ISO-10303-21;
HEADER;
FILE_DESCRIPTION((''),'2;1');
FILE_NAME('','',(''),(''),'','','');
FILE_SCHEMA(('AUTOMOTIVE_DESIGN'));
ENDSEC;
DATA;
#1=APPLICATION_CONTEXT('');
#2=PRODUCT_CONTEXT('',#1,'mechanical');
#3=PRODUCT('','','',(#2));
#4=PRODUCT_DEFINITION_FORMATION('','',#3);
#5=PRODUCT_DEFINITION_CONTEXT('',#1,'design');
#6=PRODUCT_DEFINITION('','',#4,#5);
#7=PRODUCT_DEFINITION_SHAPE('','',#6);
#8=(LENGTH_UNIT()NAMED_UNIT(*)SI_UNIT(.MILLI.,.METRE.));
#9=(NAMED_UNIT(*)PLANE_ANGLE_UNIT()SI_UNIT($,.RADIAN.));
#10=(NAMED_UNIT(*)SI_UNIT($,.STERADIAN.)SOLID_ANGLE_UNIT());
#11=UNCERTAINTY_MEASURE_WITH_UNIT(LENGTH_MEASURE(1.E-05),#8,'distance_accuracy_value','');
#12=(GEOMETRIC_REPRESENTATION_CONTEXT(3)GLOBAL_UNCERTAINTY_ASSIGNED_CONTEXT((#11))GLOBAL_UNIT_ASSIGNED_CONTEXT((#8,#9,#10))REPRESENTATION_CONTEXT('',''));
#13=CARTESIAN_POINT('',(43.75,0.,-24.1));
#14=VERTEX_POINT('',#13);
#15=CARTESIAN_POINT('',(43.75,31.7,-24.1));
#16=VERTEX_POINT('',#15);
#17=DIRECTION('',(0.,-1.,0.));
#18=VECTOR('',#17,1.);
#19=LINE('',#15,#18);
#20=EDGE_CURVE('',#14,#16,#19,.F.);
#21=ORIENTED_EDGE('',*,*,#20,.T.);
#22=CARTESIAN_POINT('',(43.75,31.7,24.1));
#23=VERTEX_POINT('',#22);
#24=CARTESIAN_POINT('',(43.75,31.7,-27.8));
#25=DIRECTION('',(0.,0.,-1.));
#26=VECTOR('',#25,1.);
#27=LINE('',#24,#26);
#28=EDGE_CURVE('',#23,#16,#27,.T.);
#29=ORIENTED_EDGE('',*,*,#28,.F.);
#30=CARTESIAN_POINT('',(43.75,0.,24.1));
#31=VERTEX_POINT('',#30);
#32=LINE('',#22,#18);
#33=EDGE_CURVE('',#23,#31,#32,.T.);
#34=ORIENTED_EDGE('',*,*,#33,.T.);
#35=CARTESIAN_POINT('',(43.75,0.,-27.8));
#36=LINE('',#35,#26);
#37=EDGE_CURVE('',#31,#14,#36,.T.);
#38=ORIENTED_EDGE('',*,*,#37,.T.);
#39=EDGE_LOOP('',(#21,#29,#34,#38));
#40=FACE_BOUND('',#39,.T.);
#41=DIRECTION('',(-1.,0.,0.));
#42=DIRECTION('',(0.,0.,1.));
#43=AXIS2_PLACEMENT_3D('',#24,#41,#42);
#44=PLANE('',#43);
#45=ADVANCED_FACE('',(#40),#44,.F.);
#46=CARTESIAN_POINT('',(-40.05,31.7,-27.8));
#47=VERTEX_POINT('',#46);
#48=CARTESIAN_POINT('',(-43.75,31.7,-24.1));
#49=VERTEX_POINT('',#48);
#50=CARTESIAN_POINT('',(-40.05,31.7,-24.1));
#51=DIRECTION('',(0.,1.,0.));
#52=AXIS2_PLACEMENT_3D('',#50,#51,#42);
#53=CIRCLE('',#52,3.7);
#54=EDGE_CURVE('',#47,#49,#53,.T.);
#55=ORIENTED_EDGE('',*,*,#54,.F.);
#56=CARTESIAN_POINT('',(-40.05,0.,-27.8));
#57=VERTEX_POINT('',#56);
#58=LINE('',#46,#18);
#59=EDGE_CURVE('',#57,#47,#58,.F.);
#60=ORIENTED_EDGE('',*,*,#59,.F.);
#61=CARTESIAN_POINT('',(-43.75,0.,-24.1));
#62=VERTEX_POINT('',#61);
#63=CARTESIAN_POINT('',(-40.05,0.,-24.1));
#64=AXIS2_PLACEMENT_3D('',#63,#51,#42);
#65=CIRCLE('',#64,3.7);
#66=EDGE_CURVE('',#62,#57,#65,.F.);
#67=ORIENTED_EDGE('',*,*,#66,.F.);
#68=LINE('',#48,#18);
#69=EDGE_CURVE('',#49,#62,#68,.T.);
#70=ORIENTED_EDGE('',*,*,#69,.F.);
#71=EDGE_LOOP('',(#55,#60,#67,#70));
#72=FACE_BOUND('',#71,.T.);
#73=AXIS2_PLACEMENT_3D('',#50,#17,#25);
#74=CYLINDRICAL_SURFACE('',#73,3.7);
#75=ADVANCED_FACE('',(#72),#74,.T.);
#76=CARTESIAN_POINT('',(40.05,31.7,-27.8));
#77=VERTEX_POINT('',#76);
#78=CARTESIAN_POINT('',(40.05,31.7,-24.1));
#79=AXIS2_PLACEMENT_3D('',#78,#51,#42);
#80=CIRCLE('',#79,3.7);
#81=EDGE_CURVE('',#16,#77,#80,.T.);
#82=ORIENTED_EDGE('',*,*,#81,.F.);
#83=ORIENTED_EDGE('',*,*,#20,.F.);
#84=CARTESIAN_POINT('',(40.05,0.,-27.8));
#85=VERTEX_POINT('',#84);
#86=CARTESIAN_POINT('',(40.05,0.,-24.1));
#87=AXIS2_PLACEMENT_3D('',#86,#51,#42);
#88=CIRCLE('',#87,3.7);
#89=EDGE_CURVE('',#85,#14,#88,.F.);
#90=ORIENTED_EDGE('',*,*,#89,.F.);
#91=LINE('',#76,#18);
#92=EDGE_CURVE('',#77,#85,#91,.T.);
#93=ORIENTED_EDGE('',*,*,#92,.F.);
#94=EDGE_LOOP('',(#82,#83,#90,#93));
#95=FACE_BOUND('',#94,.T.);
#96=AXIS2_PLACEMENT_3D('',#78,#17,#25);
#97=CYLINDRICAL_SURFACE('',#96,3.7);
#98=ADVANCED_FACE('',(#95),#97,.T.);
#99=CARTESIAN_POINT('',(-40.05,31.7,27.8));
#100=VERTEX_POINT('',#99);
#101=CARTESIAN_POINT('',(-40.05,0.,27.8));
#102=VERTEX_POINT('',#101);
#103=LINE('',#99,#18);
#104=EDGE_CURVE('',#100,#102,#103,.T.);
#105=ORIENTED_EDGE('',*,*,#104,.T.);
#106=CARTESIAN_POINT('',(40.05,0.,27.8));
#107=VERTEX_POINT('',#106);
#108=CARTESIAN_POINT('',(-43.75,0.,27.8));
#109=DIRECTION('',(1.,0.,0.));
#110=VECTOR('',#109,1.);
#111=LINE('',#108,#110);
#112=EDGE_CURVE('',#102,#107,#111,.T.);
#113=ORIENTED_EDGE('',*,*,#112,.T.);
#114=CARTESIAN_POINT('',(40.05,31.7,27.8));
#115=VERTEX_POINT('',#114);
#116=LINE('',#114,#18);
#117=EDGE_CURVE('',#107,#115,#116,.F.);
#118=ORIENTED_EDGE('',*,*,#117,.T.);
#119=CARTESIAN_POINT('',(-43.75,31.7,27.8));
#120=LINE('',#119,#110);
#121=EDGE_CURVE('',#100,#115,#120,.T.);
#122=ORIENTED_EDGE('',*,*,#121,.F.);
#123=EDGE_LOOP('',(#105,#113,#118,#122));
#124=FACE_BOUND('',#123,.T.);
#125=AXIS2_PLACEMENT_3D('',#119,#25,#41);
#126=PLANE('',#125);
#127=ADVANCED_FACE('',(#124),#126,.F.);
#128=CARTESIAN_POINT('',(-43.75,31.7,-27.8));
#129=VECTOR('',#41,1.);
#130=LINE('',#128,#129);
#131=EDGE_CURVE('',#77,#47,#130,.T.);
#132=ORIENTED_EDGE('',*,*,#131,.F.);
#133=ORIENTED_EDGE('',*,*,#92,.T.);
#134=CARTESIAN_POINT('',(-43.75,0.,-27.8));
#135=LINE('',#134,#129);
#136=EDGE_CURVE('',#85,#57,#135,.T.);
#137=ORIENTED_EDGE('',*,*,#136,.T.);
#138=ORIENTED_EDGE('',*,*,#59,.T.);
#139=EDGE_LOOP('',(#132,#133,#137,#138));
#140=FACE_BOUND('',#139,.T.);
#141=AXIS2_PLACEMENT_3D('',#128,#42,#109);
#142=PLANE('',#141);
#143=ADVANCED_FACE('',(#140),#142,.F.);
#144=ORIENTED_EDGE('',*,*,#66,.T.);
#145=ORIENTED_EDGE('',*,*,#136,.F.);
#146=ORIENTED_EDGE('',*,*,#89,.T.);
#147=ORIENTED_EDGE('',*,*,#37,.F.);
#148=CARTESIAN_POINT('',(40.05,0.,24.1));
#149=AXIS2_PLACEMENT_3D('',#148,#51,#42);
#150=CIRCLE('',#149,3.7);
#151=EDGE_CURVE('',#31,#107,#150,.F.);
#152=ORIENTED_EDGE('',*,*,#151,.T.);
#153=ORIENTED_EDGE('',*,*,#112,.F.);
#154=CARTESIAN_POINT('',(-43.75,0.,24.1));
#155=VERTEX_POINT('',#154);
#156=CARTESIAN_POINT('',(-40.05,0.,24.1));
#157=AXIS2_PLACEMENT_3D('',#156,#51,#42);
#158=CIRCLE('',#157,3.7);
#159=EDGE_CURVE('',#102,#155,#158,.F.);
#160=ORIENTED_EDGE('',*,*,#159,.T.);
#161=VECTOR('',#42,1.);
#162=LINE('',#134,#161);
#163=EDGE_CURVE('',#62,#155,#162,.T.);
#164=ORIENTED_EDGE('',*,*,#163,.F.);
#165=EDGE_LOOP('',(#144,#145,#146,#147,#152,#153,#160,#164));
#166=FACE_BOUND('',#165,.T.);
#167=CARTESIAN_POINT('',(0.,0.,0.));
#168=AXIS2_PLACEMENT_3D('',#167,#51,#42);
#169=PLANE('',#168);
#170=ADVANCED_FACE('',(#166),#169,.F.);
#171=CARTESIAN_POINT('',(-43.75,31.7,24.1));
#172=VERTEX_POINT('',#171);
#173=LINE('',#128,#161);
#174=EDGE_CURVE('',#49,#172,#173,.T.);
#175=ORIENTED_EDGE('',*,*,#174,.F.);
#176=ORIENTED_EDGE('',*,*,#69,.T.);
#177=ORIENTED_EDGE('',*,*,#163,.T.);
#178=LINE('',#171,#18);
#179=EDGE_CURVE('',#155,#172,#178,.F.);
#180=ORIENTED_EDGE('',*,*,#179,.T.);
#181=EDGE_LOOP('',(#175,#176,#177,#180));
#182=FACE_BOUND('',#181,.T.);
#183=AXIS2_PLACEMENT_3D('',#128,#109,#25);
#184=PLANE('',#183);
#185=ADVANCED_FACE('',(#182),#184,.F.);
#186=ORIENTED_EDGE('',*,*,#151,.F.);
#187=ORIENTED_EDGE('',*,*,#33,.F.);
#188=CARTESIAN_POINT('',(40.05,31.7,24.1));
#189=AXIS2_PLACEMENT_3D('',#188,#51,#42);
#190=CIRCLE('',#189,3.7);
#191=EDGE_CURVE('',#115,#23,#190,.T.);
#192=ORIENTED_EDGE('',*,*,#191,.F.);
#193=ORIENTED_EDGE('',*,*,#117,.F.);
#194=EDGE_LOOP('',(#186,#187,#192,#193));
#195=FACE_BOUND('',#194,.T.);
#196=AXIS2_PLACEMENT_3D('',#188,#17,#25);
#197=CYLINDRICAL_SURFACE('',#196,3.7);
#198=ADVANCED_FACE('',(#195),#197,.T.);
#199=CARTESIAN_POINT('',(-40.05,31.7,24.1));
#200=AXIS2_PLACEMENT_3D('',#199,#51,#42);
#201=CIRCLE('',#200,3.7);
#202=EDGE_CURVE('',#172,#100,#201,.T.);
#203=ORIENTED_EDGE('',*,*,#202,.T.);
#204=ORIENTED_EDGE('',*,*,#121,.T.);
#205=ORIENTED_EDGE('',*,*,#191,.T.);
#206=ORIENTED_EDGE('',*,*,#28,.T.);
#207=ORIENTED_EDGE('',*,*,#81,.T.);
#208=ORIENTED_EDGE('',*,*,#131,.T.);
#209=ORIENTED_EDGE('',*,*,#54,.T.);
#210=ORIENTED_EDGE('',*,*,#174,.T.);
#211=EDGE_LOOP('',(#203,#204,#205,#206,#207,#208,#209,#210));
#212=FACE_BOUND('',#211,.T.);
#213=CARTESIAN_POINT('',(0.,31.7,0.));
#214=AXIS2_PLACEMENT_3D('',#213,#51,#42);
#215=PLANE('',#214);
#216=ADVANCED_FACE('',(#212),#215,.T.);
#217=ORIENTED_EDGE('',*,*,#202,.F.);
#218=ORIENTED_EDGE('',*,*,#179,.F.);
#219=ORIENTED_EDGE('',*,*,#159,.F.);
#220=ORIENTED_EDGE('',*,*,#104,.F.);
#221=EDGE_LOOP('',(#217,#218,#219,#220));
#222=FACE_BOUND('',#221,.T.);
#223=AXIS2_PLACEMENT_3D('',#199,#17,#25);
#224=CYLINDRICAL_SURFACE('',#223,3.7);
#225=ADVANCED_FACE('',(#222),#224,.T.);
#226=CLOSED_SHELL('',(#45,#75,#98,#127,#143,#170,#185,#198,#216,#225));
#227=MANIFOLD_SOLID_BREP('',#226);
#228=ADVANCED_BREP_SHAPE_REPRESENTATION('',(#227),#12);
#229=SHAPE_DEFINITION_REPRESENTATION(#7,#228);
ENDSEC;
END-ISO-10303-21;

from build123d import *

# Parameters (mm, degrees)
CROQUIS1_W              = 87.5
CROQUIS1_H              = 55.6
SALIENTE_EXTRUIR1_DEPTH = 31.7
REDONDEO1_R             = 3.7


with BuildPart() as part:
    # Croquis1 → Saliente-Extruir1 (new body)
    with BuildSketch(Plane(origin=(0, 0, 0), x_dir=(1, 0, 0), z_dir=(0, 1, 0))):
        Rectangle(CROQUIS1_W, CROQUIS1_H)
    extrude(amount=SALIENTE_EXTRUIR1_DEPTH)

    # Redondeo1
    redondeo1_edges = [part.edges().sort_by_distance(p)[0] for p in [
        (43.75, 15.85, 27.8),
        (-43.75, 15.85, 27.8),
        (-43.75, 15.85, -27.8),
        (43.75, 15.85, -27.8),
    ]]
    fillet(redondeo1_edges, radius=REDONDEO1_R)


solid = part.part
